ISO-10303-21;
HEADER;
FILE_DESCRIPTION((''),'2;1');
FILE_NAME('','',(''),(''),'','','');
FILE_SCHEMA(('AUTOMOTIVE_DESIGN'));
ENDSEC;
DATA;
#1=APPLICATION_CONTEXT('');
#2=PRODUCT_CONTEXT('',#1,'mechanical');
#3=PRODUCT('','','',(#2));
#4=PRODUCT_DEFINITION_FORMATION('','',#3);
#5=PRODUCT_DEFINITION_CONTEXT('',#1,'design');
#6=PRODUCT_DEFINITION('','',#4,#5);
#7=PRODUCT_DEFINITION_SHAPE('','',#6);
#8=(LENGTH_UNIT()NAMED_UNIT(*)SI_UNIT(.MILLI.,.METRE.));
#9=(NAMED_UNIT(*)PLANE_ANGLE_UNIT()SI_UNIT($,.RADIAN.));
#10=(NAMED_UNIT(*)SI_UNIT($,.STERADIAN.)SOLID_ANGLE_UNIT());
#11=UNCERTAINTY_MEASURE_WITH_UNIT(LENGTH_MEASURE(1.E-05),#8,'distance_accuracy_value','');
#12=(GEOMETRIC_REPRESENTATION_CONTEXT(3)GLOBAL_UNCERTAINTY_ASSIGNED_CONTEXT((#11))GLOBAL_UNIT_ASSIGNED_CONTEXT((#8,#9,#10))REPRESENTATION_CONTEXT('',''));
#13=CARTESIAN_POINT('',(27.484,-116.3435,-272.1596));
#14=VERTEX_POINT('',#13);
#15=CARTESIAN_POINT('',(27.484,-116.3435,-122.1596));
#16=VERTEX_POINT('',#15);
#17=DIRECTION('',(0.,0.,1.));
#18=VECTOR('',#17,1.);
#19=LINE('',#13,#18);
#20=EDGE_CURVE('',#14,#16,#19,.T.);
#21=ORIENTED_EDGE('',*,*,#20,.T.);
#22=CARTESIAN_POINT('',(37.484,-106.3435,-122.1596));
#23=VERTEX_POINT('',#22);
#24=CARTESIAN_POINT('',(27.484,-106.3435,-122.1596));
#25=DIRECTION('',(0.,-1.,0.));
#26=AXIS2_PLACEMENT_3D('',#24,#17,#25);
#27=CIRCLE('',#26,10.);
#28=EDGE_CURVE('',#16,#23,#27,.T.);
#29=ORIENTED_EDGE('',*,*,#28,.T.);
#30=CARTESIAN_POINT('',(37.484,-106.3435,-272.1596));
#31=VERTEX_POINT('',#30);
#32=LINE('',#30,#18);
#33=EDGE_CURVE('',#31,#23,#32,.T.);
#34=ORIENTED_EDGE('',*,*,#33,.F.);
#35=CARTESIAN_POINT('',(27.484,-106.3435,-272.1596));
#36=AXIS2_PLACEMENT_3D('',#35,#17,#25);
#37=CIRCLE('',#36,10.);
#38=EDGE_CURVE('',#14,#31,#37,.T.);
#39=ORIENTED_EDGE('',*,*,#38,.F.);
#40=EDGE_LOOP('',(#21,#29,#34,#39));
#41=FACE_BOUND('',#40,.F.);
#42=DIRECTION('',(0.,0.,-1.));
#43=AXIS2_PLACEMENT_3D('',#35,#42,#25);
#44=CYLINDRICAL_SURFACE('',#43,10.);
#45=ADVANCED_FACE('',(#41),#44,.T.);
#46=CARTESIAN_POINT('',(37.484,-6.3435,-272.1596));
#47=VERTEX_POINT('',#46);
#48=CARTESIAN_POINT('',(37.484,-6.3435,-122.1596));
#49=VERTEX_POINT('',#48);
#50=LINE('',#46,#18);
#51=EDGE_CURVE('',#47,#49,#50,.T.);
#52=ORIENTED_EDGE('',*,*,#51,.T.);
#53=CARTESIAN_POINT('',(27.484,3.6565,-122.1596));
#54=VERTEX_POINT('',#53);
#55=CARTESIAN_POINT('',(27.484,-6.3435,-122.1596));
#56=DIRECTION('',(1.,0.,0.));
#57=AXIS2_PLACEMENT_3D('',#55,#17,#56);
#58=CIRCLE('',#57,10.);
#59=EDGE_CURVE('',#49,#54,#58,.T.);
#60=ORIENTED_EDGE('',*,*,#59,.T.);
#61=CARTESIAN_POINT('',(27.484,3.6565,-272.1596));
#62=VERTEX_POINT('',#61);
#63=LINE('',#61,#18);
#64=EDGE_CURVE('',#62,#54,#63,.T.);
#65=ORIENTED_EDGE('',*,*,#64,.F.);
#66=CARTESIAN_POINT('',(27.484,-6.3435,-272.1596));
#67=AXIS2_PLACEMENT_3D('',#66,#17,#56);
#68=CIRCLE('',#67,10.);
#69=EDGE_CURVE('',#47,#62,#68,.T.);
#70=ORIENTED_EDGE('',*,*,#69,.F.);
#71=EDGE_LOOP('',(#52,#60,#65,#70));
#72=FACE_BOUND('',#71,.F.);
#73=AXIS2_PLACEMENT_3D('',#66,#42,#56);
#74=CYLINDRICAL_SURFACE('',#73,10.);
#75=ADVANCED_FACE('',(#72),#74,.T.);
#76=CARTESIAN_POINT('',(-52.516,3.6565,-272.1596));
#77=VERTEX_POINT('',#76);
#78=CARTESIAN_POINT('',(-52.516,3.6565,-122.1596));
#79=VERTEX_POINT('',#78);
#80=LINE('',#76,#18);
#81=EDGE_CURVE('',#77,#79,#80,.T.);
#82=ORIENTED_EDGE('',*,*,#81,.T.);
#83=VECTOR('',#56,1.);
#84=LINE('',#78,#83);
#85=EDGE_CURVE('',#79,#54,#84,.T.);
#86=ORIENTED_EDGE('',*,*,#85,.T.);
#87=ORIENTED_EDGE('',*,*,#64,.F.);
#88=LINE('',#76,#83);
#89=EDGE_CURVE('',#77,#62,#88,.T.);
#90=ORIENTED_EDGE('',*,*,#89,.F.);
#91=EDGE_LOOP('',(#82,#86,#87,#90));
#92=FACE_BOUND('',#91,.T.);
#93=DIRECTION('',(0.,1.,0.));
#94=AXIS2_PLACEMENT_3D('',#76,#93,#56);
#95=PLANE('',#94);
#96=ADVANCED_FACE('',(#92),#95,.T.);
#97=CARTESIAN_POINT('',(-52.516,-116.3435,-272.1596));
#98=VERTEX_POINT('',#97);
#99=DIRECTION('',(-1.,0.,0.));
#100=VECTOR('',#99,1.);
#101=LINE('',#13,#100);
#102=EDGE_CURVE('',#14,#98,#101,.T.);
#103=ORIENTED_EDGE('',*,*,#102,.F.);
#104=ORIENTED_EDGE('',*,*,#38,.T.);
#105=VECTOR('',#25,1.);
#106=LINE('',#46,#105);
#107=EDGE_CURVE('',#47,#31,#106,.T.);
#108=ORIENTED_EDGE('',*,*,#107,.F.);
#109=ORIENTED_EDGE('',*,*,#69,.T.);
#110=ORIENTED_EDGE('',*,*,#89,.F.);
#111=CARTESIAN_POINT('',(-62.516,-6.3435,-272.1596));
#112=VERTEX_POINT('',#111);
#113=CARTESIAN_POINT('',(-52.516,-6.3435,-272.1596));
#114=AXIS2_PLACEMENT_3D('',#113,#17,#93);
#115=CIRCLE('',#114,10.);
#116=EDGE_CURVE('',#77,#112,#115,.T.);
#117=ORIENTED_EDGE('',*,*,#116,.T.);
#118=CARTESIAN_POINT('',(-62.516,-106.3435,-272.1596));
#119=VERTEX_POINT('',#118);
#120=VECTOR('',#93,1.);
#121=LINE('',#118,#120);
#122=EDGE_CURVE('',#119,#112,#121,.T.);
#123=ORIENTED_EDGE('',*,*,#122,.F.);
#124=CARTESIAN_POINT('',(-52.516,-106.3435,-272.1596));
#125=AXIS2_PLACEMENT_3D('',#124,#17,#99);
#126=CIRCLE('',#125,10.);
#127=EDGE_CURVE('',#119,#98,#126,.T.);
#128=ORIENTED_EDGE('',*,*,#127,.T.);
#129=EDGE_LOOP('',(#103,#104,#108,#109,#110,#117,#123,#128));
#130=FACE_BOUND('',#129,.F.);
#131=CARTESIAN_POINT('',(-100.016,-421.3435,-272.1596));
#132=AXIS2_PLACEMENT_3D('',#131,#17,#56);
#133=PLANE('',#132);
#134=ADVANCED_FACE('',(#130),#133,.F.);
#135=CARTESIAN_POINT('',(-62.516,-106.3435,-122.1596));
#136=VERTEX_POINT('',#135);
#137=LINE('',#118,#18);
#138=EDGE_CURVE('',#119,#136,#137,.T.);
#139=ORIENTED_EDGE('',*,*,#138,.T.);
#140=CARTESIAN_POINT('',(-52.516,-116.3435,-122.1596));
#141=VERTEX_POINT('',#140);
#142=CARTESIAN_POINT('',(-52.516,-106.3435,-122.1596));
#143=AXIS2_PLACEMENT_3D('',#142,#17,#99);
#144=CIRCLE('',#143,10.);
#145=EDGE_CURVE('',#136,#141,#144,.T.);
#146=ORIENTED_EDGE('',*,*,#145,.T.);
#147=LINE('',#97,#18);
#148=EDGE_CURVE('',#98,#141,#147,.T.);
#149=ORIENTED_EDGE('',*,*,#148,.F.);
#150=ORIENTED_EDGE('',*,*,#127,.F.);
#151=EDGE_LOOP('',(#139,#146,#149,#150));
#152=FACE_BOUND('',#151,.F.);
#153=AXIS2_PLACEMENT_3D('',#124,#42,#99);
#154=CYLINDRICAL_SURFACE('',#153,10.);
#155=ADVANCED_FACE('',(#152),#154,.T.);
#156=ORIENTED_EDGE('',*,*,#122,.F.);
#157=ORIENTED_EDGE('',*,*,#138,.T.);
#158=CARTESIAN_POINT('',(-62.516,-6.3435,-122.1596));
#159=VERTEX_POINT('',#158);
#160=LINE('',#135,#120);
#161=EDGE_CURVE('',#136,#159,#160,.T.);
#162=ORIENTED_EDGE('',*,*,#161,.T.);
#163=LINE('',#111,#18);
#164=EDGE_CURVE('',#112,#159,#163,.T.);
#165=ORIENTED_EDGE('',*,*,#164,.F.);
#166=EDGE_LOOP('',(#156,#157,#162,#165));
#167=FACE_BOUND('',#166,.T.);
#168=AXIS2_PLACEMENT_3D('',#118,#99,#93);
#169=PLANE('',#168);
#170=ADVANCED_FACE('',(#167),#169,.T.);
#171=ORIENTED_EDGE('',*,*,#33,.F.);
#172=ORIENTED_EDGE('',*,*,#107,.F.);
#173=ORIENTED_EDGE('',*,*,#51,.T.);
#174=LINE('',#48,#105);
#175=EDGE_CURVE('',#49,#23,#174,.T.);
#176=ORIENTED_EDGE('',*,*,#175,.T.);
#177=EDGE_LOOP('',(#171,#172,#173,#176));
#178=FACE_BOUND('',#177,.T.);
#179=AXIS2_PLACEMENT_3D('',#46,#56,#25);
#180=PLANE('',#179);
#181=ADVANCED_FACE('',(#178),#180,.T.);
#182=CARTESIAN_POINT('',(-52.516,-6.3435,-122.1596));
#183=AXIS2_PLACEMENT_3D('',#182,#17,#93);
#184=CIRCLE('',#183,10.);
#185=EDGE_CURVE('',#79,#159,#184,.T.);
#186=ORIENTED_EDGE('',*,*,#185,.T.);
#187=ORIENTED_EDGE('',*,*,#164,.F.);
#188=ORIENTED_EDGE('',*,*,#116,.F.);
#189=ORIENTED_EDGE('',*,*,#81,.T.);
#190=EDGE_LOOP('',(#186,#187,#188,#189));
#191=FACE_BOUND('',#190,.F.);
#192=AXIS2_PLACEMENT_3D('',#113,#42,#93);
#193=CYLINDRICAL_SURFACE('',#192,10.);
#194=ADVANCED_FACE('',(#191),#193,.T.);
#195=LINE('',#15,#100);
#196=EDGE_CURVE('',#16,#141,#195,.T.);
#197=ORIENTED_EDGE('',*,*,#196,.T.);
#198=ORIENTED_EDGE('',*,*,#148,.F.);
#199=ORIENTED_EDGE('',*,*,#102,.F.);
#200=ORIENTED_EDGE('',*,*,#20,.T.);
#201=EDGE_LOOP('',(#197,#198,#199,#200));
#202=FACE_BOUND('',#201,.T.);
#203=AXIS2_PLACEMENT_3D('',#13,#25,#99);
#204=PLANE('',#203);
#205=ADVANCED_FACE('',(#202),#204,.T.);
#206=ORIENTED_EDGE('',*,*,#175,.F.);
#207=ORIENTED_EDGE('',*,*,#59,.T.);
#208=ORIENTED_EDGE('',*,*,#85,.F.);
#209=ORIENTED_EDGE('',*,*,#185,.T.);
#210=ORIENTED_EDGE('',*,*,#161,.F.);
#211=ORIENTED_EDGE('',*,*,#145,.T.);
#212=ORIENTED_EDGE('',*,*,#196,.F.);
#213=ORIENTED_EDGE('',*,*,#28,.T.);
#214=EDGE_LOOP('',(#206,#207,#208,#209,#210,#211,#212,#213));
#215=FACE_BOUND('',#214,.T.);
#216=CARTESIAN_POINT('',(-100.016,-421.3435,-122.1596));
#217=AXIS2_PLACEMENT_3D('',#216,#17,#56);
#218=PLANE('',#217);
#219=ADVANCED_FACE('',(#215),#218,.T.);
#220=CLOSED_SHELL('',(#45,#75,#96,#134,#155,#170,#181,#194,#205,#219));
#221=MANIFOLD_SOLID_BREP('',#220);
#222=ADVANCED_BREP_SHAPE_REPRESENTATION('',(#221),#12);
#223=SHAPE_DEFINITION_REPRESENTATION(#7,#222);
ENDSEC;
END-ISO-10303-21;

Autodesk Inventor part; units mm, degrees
ref_plane "YZ Plane" through (0, 0, 0) normal (1, 0, 0) x (0, 1, 0)
ref_plane "XZ Plane" through (0, 0, 0) normal (0, 1, 0) x (-1, 0, 0)
ref_plane "XY Plane" through (0, 0, 0) normal (0, 0, 1) x (1, 0, 0)
ref_plane "Work Plane1" through (-100.016, -421.3435, -272.1596) normal (0, 0, 1) x (1, 0, 0)
sketch "Sketch1" plane through (-100.016, -421.3435, -272.1596) normal (0, 0, 1) x (1, 0, 0)
  line L0 (47.5, 425) -> (127.5, 425)
  line L1 (137.5, 415) -> (137.5, 315)
  line L2 (127.5, 305) -> (47.5, 305)
  line L3 (37.5, 315) -> (37.5, 415)
  line L4 (37.5, 425) -> (137.5, 305) construction
  line L5 (137.5, 425) -> (37.5, 305) construction
  arc A0 (47.5, 425) -> (37.5, 415) centre (47.5, 415) ccw
  arc A1 (137.5, 415) -> (127.5, 425) centre (127.5, 415) ccw
  arc A2 (127.5, 305) -> (137.5, 315) centre (127.5, 315) ccw
  arc A3 (37.5, 315) -> (47.5, 305) centre (47.5, 315) ccw
  line L6 (190, 0) -> (190, 500) projected
  line L7 (-15, 0) -> (-15, 500) projected
  line L8 (62.5, 0) -> (-85.7051, 0) projected
  line L9 (260.7051, 0) -> (112.5, 0) projected
  line L10 (62.5, 0) -> (112.5, 0) projected
  point P0 (100.016, 421.3435)
  point P1 (87.5, 365)
  dimension "d0" = 100
  dimension "d1" = 120
  dimension "d2" = 10
  dimension "d3" = 52.5
  dimension "d4" = 305
extrude "Extrusion1" add sketch "Sketch1" along normal blind 150
properties part number "cantiliever" material "Steel, Cast"
